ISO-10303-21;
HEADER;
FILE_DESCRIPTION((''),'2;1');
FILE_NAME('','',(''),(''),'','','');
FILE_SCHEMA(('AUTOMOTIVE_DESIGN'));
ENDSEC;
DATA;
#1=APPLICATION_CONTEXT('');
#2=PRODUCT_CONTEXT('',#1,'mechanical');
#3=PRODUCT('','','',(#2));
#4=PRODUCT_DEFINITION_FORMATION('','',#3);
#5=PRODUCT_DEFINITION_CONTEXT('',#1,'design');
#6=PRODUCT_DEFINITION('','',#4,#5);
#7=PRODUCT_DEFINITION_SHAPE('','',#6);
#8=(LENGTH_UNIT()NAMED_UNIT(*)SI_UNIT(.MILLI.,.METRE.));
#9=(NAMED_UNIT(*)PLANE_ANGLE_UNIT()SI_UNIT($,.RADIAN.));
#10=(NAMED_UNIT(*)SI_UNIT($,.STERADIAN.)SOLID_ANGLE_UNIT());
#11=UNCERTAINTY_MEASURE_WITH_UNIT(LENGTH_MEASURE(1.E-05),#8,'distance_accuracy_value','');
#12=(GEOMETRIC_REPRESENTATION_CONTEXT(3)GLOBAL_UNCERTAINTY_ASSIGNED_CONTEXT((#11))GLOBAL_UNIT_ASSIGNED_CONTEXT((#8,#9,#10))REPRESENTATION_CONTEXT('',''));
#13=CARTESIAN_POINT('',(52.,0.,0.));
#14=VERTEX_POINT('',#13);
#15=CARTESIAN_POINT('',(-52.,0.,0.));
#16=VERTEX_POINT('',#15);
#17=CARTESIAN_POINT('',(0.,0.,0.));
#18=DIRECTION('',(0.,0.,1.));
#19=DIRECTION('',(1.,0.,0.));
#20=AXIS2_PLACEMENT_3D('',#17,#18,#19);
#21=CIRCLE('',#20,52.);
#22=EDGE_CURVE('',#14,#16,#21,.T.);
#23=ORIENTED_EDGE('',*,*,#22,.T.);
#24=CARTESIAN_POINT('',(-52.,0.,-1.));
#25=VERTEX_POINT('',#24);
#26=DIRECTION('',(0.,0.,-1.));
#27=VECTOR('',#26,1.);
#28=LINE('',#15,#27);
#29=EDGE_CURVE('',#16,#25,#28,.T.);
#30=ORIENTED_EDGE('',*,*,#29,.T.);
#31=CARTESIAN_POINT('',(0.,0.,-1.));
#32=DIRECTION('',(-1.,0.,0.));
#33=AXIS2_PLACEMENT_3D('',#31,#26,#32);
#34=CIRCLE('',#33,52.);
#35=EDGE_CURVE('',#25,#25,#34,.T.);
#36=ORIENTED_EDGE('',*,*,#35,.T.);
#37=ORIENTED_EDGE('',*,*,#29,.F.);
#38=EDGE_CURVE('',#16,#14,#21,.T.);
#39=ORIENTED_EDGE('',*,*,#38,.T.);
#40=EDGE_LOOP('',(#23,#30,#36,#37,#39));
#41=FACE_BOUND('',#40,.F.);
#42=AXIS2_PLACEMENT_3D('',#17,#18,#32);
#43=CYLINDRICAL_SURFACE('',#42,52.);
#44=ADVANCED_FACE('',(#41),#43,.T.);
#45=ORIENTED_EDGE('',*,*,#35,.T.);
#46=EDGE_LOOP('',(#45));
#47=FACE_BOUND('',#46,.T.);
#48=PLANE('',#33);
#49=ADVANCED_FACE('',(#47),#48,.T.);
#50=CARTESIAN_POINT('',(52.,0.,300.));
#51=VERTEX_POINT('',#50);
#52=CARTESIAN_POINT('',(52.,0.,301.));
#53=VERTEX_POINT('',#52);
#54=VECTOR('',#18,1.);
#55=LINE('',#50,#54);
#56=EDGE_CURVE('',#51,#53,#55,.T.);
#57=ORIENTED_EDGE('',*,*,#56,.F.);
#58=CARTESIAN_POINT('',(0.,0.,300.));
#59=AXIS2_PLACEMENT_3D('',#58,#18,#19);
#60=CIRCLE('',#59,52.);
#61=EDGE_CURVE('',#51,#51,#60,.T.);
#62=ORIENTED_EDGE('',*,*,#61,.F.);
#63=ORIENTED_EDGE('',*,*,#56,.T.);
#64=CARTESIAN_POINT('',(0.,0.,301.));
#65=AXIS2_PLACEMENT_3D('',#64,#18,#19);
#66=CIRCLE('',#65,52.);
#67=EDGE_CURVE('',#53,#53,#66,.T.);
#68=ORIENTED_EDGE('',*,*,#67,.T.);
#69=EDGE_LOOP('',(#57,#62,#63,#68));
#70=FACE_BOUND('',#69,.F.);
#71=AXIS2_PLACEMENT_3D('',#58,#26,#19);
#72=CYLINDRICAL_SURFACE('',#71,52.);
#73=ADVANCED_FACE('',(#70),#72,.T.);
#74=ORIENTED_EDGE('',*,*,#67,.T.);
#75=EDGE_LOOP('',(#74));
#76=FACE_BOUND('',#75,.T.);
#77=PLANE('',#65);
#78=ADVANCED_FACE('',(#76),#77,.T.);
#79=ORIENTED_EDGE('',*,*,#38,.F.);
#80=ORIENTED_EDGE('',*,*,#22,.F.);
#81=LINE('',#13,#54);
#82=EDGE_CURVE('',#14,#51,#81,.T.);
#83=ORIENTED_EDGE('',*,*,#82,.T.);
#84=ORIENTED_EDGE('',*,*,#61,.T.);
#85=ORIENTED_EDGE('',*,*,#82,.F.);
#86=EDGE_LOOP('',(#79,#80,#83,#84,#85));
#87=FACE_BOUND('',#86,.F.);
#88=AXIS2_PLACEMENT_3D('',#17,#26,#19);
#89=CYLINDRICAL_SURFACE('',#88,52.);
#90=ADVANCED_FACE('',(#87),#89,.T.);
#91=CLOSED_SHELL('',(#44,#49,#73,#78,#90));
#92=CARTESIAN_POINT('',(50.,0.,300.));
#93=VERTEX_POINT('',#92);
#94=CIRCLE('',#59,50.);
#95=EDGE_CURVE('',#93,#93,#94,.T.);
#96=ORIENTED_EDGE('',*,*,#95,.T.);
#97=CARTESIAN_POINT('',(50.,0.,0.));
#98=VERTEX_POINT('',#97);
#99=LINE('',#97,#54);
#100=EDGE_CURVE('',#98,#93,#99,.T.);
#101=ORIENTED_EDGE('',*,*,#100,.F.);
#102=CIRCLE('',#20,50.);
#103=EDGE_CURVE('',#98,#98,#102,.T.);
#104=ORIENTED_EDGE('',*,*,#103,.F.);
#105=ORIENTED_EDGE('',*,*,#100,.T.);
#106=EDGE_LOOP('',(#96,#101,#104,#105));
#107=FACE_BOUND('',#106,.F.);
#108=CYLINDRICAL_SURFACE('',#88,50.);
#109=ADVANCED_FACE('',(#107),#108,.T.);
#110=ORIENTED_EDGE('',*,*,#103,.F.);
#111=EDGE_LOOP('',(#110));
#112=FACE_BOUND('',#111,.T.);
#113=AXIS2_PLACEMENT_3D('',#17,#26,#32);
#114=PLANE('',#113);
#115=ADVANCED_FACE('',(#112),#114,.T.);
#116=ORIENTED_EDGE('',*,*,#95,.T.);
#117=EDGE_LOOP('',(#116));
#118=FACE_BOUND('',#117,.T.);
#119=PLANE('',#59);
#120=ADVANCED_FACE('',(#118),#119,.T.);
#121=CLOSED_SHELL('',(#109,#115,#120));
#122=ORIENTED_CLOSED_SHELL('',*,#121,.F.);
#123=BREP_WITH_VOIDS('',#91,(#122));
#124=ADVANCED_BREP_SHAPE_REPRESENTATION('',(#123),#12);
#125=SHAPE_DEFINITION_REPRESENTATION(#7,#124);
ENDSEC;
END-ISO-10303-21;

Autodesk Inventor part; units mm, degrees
ref_plane "YZ Plane" through (0, 0, 0) normal (1, 0, 0) x (0, 1, 0)
ref_plane "XZ Plane" through (0, 0, 0) normal (0, 1, 0) x (-1, 0, 0)
ref_plane "XY Plane" through (0, 0, 0) normal (0, 0, 1) x (1, 0, 0)
sketch "Sketch1" plane through (0, 0, 0) normal (0, 0, 1) x (1, 0, 0)
  circle A0 centre (0, 0) radius 50
  circle A1 centre (0, 0) radius 52
  dimension "d0" = 100
  dimension "d1" = 2
extrude "Extrusion1" add sketch "Sketch1" along normal blind 300
sketch "Sketch2" plane through (0, 0, 0) normal (0, 0, -1) x (-1, 0, 0)
  circle A0 centre (0, 0) radius 52
extrude "Extrusion2" add sketch "Sketch2" along normal blind 1
sketch "Sketch3" plane through (0, 0, 300) normal (0, 0, 1) x (1, 0, 0)
  circle A0 centre (0, 0) radius 52
extrude "Extrusion3" add sketch "Sketch3" along normal blind 1
properties part number "Chamber"
